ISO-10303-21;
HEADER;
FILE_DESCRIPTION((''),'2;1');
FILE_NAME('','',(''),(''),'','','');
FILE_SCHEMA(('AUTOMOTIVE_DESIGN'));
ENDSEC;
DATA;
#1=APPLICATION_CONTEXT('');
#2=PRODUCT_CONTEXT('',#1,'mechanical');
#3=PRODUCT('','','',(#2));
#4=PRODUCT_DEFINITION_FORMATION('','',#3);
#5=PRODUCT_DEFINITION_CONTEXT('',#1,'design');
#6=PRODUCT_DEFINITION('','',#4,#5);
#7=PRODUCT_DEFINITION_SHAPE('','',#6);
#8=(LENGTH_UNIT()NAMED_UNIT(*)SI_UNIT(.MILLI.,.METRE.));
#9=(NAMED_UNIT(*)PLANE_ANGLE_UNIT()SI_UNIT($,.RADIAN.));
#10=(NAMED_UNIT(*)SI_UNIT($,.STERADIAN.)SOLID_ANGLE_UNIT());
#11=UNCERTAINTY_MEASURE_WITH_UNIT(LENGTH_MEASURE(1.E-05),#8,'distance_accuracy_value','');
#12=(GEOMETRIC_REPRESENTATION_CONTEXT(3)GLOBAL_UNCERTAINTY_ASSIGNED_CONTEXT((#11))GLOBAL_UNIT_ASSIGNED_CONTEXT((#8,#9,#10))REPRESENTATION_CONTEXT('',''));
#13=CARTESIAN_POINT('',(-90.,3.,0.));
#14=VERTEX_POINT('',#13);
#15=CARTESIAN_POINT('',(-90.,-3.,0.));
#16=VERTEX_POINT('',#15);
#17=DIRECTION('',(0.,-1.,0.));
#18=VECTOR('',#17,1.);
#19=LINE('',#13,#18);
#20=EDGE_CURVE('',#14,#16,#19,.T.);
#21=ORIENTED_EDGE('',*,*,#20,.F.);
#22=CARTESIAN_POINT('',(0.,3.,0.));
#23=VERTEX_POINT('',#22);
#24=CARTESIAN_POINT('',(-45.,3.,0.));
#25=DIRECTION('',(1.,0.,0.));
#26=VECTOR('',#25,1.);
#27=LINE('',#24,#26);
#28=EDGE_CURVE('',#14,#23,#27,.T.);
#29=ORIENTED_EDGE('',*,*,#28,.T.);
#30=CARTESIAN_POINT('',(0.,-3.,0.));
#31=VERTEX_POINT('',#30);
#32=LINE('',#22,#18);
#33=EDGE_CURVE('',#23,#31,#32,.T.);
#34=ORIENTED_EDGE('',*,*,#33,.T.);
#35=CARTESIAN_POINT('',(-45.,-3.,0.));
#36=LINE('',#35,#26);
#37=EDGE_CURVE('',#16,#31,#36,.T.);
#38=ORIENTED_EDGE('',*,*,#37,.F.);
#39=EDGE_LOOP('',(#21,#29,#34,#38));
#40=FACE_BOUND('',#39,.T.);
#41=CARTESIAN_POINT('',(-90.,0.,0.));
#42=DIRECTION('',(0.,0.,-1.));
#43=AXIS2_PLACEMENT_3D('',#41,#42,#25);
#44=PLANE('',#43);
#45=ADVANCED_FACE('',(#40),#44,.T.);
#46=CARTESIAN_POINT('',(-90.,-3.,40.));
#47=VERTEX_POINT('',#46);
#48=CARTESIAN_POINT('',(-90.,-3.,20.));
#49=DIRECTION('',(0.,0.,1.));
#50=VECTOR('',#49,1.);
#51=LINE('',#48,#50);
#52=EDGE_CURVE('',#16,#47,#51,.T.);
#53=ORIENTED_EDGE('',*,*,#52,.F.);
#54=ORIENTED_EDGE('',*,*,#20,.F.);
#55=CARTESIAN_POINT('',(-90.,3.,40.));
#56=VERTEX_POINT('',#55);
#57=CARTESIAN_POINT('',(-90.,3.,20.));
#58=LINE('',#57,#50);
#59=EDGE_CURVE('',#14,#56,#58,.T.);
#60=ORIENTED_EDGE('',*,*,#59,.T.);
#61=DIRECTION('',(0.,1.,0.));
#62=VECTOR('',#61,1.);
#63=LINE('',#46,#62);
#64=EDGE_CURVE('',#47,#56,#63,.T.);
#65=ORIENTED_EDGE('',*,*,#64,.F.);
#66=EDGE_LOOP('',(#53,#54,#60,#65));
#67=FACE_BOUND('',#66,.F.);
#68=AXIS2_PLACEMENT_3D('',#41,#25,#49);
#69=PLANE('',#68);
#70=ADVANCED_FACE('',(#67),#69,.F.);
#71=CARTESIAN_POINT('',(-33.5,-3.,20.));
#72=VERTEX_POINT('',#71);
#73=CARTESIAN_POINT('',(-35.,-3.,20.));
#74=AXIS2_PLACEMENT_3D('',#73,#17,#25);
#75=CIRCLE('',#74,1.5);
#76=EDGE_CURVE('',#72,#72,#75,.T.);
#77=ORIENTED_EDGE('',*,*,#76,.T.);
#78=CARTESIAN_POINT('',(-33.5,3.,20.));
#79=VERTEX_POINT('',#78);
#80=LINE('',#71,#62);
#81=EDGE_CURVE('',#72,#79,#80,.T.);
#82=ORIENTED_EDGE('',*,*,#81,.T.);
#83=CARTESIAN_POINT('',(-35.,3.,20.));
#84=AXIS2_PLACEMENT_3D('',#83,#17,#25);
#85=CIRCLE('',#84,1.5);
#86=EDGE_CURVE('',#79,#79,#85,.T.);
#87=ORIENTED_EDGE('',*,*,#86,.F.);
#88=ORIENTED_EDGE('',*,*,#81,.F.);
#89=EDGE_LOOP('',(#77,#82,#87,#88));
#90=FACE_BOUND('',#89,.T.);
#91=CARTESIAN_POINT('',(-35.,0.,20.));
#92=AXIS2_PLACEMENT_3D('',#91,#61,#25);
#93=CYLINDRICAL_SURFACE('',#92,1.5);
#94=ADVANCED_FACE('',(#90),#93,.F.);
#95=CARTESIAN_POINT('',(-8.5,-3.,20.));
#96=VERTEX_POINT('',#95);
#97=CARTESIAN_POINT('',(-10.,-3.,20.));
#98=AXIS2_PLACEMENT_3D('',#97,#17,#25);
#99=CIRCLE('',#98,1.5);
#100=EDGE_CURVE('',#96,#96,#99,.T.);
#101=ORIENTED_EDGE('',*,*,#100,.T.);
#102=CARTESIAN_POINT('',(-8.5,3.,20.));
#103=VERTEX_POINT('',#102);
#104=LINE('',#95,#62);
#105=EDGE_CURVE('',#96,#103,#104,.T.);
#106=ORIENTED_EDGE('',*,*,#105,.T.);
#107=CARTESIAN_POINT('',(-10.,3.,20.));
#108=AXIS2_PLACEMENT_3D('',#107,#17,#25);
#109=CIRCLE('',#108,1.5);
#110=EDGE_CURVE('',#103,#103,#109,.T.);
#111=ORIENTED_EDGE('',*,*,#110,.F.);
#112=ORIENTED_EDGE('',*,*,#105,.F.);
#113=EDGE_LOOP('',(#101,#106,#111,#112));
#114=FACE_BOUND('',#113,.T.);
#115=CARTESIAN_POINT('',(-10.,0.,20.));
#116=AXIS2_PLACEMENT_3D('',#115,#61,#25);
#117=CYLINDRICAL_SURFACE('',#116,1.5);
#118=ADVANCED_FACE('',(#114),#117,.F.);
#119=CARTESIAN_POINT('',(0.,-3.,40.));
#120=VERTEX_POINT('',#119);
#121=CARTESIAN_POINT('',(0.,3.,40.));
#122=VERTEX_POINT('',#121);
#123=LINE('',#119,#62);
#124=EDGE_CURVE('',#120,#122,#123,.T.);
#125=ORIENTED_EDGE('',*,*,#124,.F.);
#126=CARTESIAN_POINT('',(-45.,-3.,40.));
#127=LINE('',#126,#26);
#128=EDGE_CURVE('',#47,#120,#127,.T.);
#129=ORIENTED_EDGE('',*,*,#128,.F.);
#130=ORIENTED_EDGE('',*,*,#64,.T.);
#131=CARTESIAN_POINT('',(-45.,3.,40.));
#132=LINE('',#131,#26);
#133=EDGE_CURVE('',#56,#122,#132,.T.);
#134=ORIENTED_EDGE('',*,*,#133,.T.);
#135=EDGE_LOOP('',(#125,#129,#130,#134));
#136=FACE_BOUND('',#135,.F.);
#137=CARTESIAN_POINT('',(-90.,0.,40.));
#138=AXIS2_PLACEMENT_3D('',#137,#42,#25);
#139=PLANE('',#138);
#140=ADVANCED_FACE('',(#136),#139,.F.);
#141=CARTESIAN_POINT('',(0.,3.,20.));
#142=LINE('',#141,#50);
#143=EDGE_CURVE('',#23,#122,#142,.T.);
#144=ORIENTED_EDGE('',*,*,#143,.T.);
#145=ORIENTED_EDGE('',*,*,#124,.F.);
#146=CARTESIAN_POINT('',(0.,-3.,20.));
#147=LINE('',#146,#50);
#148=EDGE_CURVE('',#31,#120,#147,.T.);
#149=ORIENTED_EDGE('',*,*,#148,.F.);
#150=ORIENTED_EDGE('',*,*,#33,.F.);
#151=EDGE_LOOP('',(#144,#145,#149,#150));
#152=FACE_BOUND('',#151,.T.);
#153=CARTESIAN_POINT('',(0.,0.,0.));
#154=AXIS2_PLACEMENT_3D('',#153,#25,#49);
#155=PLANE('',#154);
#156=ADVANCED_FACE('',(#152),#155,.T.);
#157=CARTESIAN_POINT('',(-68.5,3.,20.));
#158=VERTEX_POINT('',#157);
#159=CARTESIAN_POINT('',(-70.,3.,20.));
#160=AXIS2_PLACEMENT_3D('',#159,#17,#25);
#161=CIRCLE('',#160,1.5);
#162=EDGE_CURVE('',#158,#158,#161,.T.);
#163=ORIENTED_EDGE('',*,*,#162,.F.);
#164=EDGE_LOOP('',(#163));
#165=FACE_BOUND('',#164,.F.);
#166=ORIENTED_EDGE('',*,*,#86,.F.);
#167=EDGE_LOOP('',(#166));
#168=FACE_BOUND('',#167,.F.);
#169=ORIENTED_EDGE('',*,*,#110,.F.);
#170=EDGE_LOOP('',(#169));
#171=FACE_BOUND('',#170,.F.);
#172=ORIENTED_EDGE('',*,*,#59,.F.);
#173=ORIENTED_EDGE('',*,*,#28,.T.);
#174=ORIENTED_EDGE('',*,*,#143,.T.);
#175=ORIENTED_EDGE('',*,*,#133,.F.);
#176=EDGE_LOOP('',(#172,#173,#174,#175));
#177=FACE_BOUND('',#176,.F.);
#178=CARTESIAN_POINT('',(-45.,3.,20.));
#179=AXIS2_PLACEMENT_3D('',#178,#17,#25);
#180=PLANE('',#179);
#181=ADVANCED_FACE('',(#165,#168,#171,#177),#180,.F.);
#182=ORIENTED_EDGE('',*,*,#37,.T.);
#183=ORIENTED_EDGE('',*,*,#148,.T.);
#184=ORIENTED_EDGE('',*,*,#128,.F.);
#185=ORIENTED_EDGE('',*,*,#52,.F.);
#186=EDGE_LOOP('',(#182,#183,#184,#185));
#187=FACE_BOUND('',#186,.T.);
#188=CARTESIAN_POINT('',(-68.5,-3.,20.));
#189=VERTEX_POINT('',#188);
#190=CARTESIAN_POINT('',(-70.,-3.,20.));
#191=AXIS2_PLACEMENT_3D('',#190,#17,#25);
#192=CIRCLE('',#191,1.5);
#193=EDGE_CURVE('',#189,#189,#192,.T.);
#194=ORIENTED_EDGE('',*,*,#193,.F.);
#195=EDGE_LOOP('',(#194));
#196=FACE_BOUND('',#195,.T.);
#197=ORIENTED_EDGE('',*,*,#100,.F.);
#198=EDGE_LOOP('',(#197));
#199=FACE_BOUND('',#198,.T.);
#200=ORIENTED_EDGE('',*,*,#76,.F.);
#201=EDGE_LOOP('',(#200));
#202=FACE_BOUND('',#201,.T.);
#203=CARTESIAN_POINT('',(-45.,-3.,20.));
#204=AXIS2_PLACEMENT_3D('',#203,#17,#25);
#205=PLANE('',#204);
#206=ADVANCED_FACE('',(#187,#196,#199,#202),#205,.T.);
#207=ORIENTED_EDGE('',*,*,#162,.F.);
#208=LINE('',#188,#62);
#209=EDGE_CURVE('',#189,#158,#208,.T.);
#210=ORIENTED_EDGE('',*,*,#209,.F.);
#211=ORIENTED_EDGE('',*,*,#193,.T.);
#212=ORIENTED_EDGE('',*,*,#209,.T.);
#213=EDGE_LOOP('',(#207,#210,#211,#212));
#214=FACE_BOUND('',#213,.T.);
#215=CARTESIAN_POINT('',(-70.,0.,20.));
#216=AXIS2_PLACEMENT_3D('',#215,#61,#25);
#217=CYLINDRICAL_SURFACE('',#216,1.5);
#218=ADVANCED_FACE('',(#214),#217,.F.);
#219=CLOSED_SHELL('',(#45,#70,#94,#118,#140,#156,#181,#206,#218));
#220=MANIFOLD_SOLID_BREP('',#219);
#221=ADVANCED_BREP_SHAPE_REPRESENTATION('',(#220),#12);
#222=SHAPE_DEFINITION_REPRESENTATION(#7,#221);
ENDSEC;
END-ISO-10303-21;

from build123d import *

# Parameters (mm, degrees)
F0_W     = 90
F0_H     = 40
F0_R     = 1.5
F1_DEPTH = 3


with BuildPart() as f1:
    # F0 (on Front) → F1 (new body, symmetric)
    with BuildSketch(Plane.XZ):
        with Locations((-45, 20)):
            Rectangle(F0_W, F0_H)
        with Locations((-70, 20)):
            Circle(F0_R, mode=Mode.SUBTRACT)
        with Locations((-35, 20)):
            Circle(F0_R, mode=Mode.SUBTRACT)
        with Locations((-10, 20)):
            Circle(F0_R, mode=Mode.SUBTRACT)
    extrude(amount=F1_DEPTH, both=True)


solid = f1.part
